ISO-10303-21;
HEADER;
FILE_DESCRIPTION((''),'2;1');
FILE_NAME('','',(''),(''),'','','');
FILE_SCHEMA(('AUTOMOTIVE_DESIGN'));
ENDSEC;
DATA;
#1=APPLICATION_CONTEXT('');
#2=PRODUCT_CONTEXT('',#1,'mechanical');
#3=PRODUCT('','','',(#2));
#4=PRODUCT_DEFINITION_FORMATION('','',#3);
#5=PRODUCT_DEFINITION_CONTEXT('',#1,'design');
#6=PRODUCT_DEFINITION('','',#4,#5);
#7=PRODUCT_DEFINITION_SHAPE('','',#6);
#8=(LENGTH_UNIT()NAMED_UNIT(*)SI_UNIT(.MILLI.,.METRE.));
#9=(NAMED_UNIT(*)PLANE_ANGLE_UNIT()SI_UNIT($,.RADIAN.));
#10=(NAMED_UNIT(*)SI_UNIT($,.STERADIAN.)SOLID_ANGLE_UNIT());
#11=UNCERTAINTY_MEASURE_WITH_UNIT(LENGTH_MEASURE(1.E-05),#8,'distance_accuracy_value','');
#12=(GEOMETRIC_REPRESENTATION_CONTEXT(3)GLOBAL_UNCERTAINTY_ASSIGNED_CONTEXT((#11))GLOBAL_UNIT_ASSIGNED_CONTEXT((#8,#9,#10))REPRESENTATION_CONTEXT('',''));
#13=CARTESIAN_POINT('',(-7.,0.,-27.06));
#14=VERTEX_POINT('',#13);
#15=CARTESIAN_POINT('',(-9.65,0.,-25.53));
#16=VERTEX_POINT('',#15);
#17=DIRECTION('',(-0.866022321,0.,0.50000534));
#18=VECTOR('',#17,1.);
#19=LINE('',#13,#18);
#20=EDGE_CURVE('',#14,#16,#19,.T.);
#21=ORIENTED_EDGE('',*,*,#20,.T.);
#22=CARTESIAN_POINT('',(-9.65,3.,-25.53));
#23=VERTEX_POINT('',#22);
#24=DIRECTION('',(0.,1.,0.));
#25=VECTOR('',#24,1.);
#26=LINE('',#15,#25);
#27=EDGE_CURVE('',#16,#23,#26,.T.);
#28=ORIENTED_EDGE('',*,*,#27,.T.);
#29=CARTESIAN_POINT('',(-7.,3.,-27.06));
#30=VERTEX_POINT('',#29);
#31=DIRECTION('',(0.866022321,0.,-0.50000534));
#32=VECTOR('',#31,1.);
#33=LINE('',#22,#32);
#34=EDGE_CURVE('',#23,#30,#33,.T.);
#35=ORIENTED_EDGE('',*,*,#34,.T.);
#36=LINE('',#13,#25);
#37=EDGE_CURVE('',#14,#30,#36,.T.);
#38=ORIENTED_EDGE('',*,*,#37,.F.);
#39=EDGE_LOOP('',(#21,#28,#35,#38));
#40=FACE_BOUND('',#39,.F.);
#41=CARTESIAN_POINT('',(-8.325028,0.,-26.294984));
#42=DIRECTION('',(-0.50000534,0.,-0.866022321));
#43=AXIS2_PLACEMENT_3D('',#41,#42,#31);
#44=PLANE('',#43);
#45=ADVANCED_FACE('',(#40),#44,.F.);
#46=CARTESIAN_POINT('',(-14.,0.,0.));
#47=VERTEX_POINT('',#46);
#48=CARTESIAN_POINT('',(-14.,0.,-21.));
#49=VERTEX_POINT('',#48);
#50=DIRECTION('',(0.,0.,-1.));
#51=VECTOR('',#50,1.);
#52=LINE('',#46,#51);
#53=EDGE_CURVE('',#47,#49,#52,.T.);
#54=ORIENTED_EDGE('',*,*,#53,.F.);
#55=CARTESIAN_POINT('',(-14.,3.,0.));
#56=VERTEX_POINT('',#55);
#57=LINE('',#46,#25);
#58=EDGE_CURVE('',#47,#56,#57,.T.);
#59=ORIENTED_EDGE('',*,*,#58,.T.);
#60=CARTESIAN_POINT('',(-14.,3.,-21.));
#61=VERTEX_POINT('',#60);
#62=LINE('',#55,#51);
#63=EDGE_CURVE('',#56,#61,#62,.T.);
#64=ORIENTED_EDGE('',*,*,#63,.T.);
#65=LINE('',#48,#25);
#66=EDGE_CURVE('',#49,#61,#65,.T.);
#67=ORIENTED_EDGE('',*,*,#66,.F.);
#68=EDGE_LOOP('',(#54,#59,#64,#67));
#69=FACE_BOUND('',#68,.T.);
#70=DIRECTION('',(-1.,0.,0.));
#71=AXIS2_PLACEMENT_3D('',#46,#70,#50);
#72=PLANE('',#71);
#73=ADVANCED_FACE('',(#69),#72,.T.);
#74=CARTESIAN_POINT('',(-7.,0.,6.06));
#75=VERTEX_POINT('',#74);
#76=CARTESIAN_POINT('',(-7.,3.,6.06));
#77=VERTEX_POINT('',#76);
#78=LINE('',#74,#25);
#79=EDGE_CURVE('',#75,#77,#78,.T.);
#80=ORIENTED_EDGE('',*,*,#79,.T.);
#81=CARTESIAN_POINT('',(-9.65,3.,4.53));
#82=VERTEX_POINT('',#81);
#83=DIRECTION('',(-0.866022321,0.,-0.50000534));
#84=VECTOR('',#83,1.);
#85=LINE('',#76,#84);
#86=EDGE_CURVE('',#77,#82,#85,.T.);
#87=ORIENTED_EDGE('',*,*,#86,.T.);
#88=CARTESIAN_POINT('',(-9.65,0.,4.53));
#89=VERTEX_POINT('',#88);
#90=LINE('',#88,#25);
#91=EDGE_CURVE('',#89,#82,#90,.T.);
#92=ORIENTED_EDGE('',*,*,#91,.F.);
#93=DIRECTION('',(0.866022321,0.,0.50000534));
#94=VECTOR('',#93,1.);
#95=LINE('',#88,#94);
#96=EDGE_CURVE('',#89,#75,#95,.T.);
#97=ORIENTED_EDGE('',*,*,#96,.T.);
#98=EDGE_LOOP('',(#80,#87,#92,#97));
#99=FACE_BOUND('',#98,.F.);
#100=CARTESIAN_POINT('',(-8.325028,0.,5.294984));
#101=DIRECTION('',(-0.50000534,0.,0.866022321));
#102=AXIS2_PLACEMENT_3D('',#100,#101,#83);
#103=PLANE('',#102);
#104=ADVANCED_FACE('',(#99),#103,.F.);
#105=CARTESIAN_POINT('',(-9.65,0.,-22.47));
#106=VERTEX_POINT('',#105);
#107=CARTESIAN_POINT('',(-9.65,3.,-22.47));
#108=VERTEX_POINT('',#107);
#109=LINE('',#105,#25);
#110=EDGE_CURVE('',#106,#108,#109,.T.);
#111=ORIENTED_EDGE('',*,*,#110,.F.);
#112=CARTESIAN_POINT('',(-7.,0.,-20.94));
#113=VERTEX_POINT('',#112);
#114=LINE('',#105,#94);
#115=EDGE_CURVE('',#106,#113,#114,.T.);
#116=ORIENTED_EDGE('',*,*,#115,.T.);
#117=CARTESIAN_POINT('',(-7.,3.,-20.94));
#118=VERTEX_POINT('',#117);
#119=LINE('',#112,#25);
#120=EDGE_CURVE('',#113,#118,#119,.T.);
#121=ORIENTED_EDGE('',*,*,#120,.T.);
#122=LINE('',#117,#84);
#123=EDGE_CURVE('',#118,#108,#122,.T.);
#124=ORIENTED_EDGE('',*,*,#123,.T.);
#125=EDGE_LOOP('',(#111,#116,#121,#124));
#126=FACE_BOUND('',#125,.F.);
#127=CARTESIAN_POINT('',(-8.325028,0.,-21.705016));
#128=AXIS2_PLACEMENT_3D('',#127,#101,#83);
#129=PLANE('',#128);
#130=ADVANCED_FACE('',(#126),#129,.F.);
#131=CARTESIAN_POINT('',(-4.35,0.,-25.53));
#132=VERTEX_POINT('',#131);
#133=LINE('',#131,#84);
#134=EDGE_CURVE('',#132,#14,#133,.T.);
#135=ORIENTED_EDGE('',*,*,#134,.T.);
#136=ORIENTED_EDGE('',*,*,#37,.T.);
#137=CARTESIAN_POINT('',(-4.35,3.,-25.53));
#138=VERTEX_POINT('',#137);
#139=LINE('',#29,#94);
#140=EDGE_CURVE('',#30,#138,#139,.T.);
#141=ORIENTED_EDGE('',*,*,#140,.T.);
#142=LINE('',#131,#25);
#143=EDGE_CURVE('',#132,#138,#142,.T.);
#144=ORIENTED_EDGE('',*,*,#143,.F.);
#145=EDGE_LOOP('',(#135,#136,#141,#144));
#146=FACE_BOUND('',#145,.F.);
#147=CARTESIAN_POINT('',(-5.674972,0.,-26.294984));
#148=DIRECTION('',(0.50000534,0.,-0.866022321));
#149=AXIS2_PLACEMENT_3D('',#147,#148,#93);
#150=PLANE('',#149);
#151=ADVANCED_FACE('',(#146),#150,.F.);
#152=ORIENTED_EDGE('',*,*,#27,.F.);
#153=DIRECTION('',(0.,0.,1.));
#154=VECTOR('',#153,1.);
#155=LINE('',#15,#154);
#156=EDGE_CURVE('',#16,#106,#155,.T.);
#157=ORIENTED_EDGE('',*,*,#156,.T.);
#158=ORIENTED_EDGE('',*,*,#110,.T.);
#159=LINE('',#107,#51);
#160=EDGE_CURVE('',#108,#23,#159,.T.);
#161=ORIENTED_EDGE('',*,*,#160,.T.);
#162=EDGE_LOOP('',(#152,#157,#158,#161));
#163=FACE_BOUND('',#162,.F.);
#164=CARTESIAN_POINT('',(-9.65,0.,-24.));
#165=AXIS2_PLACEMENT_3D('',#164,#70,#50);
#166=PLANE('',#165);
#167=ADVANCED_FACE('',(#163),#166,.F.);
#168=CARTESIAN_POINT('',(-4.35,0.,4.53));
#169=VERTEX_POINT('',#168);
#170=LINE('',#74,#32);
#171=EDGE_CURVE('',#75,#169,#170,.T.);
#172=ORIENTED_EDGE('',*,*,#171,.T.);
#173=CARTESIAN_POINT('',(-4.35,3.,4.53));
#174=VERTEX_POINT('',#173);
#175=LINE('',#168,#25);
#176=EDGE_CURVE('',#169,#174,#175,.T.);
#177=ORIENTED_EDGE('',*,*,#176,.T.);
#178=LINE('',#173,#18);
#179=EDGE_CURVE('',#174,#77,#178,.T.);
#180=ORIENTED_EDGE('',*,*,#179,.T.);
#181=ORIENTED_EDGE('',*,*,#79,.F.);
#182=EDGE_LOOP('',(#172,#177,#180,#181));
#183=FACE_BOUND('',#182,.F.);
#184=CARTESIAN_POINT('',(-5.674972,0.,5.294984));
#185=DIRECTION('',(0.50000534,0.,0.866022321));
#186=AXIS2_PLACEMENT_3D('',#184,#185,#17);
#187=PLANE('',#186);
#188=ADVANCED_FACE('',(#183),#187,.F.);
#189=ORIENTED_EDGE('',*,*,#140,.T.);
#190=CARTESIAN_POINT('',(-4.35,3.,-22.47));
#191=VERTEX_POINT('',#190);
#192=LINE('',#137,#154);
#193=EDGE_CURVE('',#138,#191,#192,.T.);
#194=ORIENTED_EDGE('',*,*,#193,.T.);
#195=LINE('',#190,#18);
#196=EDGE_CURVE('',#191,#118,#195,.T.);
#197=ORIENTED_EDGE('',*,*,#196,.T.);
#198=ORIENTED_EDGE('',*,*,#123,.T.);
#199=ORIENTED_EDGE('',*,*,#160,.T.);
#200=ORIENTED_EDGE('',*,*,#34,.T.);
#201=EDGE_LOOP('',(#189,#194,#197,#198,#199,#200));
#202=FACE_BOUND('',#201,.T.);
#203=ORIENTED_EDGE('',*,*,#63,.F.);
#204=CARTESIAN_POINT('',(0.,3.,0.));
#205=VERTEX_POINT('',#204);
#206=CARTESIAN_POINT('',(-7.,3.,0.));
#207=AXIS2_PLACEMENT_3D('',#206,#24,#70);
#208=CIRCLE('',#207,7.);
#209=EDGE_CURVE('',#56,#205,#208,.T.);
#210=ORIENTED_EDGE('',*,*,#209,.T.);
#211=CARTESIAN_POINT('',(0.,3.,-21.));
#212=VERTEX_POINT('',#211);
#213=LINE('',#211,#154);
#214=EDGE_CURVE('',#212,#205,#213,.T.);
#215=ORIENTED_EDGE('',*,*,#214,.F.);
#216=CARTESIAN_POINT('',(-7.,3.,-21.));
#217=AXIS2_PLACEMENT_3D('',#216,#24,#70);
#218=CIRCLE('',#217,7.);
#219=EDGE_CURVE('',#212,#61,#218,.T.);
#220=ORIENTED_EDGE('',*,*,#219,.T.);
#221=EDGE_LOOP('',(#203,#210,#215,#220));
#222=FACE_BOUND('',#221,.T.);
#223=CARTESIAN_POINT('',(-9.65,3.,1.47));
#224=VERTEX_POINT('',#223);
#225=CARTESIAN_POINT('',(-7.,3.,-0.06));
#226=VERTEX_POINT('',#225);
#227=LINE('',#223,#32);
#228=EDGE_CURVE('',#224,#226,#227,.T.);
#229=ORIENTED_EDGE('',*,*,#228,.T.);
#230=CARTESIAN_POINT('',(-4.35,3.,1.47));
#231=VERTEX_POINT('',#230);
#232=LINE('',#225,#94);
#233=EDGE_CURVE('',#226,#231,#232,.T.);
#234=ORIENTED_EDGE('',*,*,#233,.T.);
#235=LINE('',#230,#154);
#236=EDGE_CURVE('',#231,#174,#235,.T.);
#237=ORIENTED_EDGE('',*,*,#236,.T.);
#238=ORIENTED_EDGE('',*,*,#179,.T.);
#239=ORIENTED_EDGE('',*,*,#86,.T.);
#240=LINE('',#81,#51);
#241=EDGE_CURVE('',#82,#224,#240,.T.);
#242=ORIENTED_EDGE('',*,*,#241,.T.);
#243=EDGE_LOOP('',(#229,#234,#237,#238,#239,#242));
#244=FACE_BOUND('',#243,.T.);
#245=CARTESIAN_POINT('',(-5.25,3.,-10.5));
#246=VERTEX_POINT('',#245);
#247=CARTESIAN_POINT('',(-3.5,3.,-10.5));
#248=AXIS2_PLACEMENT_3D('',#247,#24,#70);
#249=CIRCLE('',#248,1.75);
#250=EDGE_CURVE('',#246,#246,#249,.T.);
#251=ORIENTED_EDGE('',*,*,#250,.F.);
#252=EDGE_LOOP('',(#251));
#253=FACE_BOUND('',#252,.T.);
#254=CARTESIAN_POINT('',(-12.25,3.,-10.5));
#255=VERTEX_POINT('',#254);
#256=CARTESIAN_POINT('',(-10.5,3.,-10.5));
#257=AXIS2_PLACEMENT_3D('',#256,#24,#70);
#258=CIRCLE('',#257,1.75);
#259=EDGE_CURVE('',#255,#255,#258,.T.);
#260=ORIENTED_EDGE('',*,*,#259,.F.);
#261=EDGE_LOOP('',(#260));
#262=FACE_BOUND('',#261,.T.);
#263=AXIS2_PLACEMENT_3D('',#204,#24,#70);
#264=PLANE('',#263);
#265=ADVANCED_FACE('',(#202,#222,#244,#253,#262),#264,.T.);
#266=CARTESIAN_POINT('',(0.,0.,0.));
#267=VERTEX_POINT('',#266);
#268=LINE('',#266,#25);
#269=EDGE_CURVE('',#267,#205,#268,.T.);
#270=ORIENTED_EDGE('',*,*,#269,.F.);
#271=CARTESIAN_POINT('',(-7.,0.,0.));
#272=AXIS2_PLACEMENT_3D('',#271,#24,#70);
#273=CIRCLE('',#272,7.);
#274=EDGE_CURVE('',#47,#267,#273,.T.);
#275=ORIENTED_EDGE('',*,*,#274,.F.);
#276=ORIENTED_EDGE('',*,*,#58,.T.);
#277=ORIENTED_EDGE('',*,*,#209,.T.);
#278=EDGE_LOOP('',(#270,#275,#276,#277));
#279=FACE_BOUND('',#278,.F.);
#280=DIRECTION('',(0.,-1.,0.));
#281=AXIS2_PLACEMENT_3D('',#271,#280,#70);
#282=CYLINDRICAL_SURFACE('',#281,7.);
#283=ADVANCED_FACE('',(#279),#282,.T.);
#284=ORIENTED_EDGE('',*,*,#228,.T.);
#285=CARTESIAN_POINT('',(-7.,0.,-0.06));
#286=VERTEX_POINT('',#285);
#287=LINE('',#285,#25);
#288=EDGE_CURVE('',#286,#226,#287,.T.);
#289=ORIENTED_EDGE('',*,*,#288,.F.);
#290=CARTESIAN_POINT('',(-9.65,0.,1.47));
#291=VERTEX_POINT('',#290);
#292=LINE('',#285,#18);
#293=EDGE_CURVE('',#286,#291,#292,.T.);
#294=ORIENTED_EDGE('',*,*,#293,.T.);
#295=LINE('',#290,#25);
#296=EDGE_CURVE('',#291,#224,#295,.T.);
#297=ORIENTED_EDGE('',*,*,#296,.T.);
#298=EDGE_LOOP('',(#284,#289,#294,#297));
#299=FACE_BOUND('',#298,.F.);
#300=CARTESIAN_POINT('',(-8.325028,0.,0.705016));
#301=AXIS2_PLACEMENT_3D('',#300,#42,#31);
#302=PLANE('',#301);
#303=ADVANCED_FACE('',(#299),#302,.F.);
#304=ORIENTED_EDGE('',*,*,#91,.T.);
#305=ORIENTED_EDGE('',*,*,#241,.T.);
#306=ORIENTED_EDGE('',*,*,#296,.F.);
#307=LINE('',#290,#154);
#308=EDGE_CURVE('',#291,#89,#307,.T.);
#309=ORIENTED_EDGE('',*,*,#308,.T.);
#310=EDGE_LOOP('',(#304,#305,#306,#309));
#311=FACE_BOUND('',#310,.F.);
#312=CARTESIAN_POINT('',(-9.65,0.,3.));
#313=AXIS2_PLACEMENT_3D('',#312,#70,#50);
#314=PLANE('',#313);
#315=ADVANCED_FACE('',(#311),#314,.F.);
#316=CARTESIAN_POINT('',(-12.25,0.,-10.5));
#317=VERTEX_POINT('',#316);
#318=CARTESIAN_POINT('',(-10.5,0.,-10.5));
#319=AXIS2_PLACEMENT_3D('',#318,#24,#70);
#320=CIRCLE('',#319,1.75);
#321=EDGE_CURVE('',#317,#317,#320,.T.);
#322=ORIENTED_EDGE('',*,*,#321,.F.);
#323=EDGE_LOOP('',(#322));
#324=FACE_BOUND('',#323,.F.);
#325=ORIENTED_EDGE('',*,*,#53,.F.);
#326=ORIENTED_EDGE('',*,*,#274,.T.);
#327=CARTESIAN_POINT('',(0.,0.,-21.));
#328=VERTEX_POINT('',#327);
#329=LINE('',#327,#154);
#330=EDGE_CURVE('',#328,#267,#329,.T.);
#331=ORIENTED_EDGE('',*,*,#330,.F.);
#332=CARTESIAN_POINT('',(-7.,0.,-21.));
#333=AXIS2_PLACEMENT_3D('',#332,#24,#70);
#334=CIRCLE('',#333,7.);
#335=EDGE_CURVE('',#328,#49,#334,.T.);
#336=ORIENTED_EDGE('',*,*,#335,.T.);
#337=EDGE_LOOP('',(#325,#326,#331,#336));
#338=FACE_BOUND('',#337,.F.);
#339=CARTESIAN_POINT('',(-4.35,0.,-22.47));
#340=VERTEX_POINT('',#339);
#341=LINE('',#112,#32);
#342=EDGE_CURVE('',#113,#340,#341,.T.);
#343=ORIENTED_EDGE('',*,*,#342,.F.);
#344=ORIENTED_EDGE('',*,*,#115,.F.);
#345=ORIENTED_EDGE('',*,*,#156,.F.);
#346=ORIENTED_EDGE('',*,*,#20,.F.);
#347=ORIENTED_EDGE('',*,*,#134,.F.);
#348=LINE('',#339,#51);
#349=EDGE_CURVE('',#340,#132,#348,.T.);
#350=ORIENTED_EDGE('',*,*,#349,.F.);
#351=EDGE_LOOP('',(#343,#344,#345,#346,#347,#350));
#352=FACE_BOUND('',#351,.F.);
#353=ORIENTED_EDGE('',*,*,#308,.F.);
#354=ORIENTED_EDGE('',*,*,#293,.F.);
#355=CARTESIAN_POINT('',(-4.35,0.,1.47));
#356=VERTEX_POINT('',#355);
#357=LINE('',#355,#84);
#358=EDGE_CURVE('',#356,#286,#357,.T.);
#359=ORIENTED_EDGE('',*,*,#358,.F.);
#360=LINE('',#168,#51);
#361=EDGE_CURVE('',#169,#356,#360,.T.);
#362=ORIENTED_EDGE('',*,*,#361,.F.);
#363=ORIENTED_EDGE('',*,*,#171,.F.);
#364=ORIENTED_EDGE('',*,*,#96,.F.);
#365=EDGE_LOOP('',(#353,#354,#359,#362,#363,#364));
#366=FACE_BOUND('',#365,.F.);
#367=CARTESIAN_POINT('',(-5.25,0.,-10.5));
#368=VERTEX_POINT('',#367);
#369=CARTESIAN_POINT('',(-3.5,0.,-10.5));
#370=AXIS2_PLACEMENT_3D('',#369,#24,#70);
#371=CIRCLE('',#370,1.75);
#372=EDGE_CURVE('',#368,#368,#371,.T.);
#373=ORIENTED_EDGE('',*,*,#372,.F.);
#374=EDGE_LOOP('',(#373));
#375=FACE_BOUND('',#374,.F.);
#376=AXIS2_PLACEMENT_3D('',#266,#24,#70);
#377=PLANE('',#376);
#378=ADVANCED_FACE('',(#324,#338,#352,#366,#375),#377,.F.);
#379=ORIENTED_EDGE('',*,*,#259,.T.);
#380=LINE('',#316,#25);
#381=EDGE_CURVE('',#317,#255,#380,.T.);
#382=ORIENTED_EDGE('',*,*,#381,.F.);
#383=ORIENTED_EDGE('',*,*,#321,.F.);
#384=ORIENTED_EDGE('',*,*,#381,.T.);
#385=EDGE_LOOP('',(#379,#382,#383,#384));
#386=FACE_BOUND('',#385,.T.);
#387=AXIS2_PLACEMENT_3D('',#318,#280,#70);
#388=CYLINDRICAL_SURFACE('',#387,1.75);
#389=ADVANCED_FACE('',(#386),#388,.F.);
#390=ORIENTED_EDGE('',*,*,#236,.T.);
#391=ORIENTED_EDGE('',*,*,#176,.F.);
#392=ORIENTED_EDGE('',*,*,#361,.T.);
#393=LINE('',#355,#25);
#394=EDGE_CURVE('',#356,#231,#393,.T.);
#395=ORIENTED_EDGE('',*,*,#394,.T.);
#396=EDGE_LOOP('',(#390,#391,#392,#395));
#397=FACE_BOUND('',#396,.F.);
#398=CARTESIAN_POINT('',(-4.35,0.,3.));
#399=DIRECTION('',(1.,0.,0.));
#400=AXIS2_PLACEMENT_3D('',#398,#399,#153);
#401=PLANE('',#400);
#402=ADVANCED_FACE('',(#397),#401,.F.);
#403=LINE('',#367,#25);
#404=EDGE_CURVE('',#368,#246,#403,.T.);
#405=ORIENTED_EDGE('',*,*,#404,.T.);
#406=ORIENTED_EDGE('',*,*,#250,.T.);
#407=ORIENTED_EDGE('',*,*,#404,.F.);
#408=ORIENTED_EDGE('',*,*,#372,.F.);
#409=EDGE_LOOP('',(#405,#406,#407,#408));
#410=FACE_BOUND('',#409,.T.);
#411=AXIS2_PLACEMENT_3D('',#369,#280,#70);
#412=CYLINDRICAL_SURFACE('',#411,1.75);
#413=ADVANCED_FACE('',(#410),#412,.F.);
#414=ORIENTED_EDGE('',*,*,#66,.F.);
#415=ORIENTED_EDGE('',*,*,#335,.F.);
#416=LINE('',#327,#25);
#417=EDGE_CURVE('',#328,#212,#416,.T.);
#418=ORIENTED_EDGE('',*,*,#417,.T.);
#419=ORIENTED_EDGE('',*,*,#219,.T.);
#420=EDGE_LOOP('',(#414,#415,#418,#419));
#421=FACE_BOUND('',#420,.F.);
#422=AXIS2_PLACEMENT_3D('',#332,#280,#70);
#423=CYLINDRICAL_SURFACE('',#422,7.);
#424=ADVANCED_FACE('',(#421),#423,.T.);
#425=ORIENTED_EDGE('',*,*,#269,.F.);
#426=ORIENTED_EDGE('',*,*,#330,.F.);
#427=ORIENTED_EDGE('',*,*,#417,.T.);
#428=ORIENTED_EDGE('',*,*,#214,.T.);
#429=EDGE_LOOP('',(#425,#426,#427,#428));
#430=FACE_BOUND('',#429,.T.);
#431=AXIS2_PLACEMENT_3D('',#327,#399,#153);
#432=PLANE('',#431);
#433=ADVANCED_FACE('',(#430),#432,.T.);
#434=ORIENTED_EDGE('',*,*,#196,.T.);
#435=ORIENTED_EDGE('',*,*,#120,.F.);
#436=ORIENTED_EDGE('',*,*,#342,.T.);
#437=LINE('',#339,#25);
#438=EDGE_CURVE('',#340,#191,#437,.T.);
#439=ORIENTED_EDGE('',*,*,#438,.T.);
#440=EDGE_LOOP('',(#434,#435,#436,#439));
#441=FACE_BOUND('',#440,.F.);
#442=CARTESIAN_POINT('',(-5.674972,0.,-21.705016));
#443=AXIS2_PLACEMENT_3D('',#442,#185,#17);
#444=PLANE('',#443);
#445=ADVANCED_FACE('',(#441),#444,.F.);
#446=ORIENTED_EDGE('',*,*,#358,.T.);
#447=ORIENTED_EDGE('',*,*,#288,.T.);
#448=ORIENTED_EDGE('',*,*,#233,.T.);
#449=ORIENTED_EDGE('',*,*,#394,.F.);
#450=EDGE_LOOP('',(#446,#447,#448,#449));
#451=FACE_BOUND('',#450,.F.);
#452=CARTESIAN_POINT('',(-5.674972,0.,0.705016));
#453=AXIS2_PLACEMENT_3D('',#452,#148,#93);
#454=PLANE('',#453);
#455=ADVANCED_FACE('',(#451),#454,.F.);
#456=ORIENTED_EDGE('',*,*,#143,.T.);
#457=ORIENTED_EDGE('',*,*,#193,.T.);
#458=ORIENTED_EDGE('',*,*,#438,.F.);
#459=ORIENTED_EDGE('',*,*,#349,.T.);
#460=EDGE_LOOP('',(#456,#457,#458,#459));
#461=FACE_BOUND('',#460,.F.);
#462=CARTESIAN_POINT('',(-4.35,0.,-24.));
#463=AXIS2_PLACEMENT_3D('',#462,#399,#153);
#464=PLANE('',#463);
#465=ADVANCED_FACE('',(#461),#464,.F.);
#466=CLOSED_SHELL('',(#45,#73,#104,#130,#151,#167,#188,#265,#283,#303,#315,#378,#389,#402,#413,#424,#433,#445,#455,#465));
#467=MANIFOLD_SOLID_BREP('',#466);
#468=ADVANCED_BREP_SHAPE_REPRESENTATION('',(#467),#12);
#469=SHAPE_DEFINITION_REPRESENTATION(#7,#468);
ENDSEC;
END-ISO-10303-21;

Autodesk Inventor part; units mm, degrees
ref_plane "YZ Plane" through (0, 0, 0) normal (1, 0, 0) x (0, 1, 0)
ref_plane "XZ Plane" through (0, 0, 0) normal (0, 1, 0) x (-1, 0, 0)
ref_plane "XY Plane" through (0, 0, 0) normal (0, 0, 1) x (1, 0, 0)
sketch "Sketch1" plane through (0, 0, 0) normal (0, 1, 0) x (-1, 0, 0)
  line L0 (0, 0) -> (14, 0)
  line L1 (14, 0) -> (14, -21)
  line L2 (14, -21) -> (0, -21)
  line L3 (0, -21) -> (0, 0)
  circle A0 centre (7, 3) radius 2.65
  circle A1 centre (7, -24) radius 2.65
  circle A2 centre (7, 0) radius 7
  circle A3 centre (7, -21) radius 7
  line L4 (9.65, 1.47) -> (7, -0.06)
  line L5 (7, -0.06) -> (4.35, 1.47)
  line L6 (4.35, 1.47) -> (4.35, 4.53)
  line L7 (4.35, 4.53) -> (7, 6.06)
  line L8 (7, 6.06) -> (9.65, 4.53)
  line L9 (9.65, 4.53) -> (9.65, 1.47)
  line L10 (9.65, -25.53) -> (7, -27.06)
  line L11 (7, -27.06) -> (4.35, -25.53)
  line L12 (4.35, -25.53) -> (4.35, -22.47)
  line L13 (4.35, -22.47) -> (7, -20.94)
  line L14 (7, -20.94) -> (9.65, -22.47)
  line L15 (9.65, -22.47) -> (9.65, -25.53)
  line L16 (14, -10.5) -> (0, -10.5) construction
  circle A4 centre (10.5, -10.5) radius 1.75
  circle A5 centre (3.5, -10.5) radius 1.75
  point P0 (9.65, 3)
  point P1 (9.65, -24)
  dimension "d2" = 5.3
  dimension "d3" = 5.3
  dimension "d0" = 14
  dimension "d1" = 21
  dimension "d4" = 3
  dimension "d5" = 3
  dimension "d6" = 3.5
  dimension "d7" = 3.5
  dimension "d8" = 3.5
  dimension "d9" = 3.5
extrude "Extrusion1" add sketch "Sketch1" along normal blind 3 contours A2 L0 L4 L9 L8 L7 L6 L5 | A2 L1 A3 L3 | L0 L5 L4 A2 | A3 L2 L14 L13 | L2 L13 L12 L11 L10 L15 L14 A3
properties part number "Stationary bracket aligner_3DPrint"
